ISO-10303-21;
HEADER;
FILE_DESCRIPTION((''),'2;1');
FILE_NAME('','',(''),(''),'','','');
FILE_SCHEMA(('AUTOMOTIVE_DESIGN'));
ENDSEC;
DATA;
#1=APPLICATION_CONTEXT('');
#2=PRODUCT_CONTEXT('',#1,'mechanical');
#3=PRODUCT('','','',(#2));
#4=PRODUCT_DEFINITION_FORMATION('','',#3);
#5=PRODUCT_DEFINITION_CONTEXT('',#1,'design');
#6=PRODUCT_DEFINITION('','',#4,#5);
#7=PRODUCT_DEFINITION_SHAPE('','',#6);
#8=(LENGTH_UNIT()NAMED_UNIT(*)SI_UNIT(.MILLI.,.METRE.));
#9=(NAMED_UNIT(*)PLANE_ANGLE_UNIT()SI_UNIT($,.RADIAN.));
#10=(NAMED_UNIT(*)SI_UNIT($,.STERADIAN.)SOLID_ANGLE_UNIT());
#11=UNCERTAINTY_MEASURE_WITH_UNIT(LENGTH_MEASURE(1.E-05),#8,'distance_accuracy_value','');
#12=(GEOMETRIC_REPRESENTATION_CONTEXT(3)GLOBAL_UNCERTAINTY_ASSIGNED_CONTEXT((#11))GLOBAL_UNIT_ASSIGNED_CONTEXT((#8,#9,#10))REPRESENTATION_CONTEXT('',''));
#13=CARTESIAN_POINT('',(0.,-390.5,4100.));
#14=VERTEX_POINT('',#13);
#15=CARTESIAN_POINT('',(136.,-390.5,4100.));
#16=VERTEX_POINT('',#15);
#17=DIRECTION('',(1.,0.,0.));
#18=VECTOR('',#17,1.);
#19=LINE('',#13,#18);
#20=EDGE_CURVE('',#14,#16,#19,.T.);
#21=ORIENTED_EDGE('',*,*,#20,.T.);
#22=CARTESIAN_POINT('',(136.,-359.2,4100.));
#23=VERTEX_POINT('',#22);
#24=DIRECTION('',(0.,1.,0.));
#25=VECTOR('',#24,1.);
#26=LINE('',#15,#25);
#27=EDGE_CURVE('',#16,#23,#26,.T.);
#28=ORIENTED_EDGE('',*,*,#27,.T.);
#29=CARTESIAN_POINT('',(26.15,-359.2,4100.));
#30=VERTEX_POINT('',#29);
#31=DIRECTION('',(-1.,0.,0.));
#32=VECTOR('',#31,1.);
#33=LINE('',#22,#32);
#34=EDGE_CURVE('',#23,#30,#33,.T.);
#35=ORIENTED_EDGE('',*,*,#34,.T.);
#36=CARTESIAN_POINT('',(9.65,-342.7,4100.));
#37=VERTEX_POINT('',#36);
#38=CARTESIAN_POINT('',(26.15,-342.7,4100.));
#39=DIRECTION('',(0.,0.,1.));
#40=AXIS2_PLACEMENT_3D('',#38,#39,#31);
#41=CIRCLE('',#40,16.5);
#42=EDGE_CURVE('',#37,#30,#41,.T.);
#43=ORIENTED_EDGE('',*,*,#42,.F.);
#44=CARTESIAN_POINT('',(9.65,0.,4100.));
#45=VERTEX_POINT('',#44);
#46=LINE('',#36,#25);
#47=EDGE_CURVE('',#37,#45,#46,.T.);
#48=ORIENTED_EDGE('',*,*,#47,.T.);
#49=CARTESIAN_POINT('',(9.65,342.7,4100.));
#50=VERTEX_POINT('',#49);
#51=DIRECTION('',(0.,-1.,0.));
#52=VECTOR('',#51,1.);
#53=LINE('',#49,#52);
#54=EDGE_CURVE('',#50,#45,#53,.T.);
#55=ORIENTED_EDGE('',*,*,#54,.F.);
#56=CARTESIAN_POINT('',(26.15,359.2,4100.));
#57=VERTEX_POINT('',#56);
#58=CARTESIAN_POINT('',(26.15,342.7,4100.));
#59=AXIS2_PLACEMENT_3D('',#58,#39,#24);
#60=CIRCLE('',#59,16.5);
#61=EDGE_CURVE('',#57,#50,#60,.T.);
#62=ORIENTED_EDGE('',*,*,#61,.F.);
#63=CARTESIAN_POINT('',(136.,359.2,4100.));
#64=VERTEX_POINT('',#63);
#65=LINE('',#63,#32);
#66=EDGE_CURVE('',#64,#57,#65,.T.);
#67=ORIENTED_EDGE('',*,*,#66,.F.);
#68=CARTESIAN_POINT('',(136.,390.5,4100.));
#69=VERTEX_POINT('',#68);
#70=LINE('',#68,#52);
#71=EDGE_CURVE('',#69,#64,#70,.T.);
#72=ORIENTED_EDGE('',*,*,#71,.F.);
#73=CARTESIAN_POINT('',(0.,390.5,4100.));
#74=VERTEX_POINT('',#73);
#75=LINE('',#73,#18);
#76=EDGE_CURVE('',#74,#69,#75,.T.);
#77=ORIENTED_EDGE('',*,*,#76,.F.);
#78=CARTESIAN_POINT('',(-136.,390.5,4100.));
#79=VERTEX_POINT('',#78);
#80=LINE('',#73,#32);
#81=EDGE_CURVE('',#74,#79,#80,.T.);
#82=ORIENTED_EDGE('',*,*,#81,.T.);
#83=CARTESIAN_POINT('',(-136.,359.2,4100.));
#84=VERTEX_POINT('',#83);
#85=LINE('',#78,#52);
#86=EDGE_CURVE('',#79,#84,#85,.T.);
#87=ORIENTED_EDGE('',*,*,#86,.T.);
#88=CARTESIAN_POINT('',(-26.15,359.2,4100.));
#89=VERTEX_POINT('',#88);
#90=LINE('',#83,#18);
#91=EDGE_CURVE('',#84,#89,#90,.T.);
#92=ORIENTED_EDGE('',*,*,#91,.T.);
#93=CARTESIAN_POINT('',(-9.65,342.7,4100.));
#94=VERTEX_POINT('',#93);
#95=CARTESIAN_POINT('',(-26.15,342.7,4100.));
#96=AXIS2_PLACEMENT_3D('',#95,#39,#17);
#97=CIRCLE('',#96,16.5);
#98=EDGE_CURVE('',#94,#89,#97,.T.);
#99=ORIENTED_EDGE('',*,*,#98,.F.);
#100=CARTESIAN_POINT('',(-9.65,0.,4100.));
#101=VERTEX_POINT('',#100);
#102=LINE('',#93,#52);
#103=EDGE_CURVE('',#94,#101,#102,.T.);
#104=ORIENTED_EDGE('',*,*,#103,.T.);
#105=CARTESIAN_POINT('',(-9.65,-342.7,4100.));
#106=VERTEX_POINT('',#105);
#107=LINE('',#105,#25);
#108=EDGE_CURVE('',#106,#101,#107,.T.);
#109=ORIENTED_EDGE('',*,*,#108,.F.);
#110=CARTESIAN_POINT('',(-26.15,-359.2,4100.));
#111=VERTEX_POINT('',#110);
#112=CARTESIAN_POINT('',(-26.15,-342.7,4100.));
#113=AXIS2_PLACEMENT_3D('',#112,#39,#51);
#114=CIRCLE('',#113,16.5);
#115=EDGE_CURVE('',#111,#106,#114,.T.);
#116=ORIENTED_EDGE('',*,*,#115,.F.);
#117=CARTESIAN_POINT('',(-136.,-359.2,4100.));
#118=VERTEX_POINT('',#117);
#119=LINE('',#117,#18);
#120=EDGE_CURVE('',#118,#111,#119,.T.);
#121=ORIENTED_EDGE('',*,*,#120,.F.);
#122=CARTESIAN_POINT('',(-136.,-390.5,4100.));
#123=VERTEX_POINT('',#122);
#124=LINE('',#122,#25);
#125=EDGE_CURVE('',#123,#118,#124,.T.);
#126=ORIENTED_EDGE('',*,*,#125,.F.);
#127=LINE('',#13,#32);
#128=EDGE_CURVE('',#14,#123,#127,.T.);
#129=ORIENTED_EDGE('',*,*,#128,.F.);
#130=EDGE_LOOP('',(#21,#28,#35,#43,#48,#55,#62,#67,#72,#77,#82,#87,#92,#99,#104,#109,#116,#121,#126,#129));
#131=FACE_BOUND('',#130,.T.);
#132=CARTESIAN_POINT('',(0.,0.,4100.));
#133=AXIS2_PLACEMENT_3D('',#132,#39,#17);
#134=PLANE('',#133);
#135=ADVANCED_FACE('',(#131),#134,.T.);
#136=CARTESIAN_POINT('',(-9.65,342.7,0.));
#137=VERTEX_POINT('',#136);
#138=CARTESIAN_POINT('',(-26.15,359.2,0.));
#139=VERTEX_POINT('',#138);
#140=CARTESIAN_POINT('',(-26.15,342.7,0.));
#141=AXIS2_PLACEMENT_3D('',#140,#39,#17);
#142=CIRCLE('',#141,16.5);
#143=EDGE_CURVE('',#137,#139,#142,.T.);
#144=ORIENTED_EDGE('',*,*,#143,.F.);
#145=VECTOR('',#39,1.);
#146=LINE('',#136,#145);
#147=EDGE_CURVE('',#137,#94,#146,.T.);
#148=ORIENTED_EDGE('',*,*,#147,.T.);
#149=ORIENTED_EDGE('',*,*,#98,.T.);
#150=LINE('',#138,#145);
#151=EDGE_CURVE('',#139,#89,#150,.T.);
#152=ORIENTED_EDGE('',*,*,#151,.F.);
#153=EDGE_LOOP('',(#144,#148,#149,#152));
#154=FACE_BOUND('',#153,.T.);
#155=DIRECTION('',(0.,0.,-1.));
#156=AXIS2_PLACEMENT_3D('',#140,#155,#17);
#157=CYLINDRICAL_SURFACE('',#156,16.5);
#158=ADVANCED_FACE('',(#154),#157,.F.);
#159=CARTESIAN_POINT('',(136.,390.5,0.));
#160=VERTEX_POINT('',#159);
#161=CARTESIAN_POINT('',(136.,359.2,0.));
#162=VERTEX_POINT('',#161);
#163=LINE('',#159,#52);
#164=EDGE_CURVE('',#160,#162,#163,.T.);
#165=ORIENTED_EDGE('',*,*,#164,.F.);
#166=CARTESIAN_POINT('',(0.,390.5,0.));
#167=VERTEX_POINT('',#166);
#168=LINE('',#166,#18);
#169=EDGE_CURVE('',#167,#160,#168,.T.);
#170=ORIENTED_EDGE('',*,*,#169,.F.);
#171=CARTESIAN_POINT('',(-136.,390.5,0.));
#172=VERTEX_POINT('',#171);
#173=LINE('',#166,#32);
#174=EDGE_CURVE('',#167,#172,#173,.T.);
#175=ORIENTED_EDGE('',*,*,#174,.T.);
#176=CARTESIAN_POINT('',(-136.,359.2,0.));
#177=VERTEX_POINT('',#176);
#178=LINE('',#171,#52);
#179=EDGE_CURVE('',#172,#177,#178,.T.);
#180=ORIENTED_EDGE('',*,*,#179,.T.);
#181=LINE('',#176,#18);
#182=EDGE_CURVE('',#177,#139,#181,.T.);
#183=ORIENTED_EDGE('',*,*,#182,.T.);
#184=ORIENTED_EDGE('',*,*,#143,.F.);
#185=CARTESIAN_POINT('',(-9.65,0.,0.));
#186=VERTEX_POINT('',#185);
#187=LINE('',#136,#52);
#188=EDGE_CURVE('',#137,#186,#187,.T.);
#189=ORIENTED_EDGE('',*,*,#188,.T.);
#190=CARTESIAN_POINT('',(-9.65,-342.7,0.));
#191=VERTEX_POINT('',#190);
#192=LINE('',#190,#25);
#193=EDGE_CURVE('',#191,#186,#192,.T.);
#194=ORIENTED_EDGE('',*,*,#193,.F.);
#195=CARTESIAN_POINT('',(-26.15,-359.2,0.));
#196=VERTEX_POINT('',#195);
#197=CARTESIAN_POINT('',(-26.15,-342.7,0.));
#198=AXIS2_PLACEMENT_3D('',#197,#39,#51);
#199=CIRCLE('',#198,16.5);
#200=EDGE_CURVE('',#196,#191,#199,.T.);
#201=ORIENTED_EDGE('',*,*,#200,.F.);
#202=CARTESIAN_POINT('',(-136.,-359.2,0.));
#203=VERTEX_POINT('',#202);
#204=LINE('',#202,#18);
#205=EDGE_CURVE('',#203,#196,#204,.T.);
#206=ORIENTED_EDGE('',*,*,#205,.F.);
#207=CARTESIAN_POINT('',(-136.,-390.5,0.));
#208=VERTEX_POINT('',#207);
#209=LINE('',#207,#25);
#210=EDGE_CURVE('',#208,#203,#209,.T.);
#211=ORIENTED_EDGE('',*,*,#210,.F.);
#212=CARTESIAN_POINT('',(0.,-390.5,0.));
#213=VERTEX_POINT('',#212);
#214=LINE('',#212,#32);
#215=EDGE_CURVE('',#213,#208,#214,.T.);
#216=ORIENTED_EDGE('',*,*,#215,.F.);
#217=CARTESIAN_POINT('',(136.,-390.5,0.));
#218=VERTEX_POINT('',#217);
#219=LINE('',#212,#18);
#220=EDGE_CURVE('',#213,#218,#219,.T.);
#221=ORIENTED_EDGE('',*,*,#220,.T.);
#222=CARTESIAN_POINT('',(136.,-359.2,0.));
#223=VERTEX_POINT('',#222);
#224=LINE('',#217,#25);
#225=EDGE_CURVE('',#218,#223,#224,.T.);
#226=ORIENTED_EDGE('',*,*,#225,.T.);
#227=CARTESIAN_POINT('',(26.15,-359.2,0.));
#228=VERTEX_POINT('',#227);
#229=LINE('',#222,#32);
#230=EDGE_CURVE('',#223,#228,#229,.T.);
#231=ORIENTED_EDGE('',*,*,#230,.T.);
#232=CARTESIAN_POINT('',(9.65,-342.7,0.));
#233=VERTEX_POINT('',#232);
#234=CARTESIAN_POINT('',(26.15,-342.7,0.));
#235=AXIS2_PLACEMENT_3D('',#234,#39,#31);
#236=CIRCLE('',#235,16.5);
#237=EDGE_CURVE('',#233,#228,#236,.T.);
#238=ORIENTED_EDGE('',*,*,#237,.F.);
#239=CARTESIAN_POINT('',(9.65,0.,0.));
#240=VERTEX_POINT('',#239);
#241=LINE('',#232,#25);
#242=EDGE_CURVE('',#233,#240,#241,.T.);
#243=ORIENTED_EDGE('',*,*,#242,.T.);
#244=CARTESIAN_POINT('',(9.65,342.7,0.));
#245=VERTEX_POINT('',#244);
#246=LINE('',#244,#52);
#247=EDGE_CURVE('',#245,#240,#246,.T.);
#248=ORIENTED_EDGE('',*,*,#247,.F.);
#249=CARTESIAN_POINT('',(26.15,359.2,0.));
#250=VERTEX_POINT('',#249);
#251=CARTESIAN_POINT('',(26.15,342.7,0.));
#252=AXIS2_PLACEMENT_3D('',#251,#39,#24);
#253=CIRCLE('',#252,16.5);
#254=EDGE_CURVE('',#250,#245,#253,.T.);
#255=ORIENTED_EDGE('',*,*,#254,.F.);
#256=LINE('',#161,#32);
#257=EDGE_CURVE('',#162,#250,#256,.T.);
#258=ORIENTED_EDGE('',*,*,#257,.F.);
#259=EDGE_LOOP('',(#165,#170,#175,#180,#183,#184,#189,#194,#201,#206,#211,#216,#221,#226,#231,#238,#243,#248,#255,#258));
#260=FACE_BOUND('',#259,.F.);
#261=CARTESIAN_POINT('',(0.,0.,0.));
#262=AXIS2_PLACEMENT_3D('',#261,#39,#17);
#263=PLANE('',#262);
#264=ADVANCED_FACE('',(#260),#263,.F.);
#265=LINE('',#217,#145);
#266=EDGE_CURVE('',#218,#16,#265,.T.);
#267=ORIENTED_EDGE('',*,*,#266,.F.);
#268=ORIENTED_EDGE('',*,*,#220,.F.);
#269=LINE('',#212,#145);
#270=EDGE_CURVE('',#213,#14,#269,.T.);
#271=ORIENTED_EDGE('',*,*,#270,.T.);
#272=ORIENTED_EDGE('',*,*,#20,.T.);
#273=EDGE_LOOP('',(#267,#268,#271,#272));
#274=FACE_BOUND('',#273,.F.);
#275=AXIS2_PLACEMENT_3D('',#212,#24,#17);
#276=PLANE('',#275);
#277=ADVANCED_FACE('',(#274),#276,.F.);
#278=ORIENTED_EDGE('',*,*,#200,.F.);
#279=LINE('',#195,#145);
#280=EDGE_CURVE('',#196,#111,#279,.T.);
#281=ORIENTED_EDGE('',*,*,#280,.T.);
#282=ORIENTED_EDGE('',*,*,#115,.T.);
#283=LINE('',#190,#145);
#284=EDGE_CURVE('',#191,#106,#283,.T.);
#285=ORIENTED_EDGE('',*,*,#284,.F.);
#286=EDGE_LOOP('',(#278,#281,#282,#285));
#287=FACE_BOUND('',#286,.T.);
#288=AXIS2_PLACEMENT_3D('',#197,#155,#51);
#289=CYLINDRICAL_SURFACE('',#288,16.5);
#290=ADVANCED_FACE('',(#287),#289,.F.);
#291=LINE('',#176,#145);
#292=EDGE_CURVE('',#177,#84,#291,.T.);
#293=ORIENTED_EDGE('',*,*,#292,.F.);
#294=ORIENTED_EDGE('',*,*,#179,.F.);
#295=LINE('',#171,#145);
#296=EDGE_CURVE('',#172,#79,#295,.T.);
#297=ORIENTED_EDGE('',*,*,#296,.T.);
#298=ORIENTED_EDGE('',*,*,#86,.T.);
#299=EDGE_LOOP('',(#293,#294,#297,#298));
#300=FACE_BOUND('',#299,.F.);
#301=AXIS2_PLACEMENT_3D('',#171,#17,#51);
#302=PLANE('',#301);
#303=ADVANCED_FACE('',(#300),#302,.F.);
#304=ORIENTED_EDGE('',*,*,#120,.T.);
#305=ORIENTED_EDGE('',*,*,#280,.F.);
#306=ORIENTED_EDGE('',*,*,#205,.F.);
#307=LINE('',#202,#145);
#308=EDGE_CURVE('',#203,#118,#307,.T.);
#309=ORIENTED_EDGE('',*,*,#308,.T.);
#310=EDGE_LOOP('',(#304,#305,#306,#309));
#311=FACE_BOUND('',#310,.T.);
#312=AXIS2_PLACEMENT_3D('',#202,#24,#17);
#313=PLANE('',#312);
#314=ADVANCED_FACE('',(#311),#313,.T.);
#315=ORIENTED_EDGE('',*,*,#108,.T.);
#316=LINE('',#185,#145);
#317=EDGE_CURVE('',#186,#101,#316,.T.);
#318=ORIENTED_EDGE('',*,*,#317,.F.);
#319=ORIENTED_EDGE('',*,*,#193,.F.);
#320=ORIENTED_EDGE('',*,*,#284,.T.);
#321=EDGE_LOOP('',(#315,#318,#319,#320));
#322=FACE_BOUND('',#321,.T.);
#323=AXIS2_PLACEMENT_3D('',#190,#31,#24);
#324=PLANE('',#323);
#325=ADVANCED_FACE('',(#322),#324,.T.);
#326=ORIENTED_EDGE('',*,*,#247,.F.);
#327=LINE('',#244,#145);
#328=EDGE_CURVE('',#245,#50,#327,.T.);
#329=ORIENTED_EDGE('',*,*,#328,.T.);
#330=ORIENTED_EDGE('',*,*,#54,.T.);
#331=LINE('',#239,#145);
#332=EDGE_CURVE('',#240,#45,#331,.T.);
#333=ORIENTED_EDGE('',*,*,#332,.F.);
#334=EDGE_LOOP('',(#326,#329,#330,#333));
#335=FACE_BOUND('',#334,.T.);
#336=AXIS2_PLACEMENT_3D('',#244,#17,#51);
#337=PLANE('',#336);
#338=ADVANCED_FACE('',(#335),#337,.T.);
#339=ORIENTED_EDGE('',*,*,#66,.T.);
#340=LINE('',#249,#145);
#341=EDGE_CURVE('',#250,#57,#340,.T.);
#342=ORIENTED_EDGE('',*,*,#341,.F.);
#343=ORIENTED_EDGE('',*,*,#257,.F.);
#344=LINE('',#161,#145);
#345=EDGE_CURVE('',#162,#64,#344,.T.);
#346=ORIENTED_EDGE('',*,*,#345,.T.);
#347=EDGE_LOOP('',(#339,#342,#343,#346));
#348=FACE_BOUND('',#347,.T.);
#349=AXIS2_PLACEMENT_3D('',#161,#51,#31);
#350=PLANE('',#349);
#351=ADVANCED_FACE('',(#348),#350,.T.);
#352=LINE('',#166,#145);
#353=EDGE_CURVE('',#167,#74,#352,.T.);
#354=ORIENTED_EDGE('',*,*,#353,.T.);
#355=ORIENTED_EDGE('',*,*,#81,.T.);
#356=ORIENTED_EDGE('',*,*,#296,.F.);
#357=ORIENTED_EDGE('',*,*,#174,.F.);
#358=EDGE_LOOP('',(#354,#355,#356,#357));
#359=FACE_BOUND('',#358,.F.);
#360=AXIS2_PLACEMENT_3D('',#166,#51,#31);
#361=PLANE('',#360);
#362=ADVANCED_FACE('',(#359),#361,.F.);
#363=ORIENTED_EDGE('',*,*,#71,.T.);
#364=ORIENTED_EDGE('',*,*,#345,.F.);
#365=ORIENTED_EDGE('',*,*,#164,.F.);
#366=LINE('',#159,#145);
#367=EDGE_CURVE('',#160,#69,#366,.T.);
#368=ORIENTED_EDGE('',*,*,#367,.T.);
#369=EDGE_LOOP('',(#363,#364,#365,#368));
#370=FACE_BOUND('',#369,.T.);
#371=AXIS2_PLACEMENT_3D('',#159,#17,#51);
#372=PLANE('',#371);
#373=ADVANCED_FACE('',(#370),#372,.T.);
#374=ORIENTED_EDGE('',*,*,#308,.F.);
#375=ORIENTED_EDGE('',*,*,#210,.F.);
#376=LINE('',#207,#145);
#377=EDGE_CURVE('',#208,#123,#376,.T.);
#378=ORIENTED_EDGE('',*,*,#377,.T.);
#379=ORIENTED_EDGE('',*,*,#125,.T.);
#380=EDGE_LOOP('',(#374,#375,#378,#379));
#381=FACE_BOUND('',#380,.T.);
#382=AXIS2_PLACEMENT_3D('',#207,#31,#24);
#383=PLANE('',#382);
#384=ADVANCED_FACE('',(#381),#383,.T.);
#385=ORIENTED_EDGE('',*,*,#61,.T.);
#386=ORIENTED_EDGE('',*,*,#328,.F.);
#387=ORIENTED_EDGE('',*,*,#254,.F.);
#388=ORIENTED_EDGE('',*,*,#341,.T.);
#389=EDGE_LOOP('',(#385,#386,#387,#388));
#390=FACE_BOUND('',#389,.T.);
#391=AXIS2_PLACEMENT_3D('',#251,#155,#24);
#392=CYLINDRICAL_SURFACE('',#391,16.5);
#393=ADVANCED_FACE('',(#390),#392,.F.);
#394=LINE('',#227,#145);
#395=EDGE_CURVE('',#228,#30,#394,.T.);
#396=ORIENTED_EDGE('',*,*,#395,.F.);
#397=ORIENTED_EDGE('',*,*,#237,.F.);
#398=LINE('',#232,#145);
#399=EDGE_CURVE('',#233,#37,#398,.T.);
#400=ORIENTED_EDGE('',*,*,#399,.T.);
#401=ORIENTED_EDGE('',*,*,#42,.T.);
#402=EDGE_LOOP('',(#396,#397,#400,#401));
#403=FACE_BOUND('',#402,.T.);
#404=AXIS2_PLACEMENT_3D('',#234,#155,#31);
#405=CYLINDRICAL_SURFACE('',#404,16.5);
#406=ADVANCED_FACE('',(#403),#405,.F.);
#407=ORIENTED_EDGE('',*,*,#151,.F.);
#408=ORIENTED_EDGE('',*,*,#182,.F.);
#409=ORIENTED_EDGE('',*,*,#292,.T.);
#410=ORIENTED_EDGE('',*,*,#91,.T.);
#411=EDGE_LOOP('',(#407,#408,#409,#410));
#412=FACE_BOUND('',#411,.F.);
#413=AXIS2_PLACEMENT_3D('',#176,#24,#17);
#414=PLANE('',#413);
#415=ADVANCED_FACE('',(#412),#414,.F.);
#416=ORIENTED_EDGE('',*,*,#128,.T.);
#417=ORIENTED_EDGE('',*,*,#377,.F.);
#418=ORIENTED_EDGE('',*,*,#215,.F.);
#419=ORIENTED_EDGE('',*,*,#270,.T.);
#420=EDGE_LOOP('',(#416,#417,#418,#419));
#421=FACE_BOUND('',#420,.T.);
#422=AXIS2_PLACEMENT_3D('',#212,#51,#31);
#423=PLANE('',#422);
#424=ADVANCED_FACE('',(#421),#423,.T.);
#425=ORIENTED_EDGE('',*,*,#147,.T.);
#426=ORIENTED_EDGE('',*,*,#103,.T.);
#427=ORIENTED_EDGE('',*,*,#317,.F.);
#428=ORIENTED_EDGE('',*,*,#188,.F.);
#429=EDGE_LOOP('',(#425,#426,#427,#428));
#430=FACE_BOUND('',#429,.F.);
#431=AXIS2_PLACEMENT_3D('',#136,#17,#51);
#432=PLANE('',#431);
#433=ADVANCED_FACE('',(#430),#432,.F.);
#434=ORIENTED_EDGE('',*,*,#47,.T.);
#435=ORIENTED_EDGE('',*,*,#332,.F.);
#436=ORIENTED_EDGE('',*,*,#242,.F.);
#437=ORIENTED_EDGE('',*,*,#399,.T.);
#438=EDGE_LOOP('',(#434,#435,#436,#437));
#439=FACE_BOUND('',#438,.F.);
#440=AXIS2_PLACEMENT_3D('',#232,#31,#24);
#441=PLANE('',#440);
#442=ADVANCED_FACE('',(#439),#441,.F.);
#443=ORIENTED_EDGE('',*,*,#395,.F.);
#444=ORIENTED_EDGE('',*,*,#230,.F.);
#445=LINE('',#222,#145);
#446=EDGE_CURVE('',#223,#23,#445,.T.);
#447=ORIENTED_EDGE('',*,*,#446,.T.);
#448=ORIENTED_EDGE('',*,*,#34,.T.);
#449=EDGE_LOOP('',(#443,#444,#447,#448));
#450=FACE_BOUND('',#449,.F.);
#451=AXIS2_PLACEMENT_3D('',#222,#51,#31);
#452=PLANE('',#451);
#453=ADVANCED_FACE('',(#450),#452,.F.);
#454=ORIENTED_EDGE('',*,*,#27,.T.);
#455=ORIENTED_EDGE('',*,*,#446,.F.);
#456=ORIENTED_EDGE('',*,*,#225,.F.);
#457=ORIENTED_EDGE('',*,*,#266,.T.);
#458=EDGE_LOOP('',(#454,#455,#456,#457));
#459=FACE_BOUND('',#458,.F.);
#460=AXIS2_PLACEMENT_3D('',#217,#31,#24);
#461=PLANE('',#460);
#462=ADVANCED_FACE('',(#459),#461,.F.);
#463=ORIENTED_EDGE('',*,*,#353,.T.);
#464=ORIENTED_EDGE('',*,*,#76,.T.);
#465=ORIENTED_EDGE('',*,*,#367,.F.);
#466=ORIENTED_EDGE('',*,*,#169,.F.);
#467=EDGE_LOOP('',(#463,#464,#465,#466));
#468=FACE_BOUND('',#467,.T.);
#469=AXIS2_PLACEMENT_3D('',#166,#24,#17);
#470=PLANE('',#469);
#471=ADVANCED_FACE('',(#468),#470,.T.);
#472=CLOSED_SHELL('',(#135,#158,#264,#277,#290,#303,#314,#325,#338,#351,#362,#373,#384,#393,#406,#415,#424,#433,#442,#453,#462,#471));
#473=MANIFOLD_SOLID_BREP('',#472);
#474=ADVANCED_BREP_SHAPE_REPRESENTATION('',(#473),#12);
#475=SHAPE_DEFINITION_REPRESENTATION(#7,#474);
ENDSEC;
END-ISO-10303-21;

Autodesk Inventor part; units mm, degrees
ref_plane "YZ Plane" through (0, 0, 0) normal (1, 0, 0) x (0, 1, 0)
ref_plane "Start plane" through (0, 0, 0) normal (0, 0, 1) x (1, 0, 0)
ref_plane "End plane" through (0, 0, 4100) normal (0, 0, 1) x (1, 0, 0)
sketch "Sketch" plane through (0, 0, 0) normal (0, 0, 1) x (1, 0, 0)
  line L0 (-136, -390.5) -> (-136, -359.2)
  line L1 (-136, -359.2) -> (-26.15, -359.2)
  line L2 (-9.65, -342.7) -> (-9.65, 0)
  line L3 (-9.65, 0) -> (0, 0) construction
  line L4 (0, 0) -> (0, -390.5) construction
  line L5 (0, -390.5) -> (-136, -390.5)
  line L6 (-60, 0) -> (80, 0) construction
  line L7 (0, -60) -> (0, 80) construction
  line L8 (136, -390.5) -> (136, -359.2)
  line L9 (136, -359.2) -> (26.15, -359.2)
  line L10 (9.65, -342.7) -> (9.65, 0)
  line L11 (9.65, 0) -> (0, 0) construction
  line L12 (0, -390.5) -> (136, -390.5)
  line L13 (-136, 390.5) -> (-136, 359.2)
  line L14 (-136, 359.2) -> (-26.15, 359.2)
  line L15 (-9.65, 342.7) -> (-9.65, 0)
  line L16 (0, 390.5) -> (-136, 390.5)
  line L17 (136, 390.5) -> (136, 359.2)
  line L18 (136, 359.2) -> (26.15, 359.2)
  line L19 (0, 390.5) -> (136, 390.5)
  line L20 (9.65, 342.7) -> (9.65, 0)
  arc A0 (-9.65, 342.7) -> (-26.15, 359.2) centre (-26.15, 342.7) ccw
  arc A1 (26.15, 359.2) -> (9.65, 342.7) centre (26.15, 342.7) ccw
  arc A2 (9.65, -342.7) -> (26.15, -359.2) centre (26.15, -342.7) ccw
  arc A3 (-26.15, -359.2) -> (-9.65, -342.7) centre (-26.15, -342.7) ccw
  line L21 (0, 108) -> (0, -88) construction
  line L22 (-88, 0) -> (108, 0) construction
  point P0 (-9.65, -359.2)
  point P1 (9.65, -359.2)
  point P2 (-9.65, 359.2)
  point P3 (9.65, 359.2)
  dimension "d1" = 390.5
  dimension "d2" = 31.3
  dimension "d3" = 136
  dimension "d4" = 9.65
  dimension "d10" = 16.5
extrude "Body" add sketch "Sketch" along normal up to surface (4100 mm away) from surface at 0
sketch "Sketch4" plane through (0, 0, 0) normal (0, 0, 1) x (1, 0, 0)
  line L0 (0, 0) -> (10, 0)
ref_plane "Work Plane3" through (0, 0, 0) normal (0, -1, 0) x (1, 0, 0)
sketch "Sketch5" plane through (0, 0, 0) normal (0, -1, 0) x (1, 0, 0)
  line L0 (-2, 0) -> (12, 0) projected
  line L1 (-2, 4100) -> (12, 4100) projected
  dimension "d14" = 4100
equation "\"d1\" = 0.5 * G_H"
equation "\"d2\" = G_T1"
equation "\"d3\" = 0.5 * G_W"
equation "\"d4\" = 0.5 * G_T"
equation "\"d10\" = G_IR"
equation "\"d5\" = G_L"
equation "\"G_W\" = 272"
equation "\"G_H\" = 781"
equation "\"G_T\" = 19.3"
equation "\"G_T1\" = 31.3"
equation "\"G_IR\" = 16.5"
equation "\"G_L\" = d14"
equation "\"G_OFFSET_START\" = 0"
equation "\"G_OFFSET_END\" = 0"
properties part number "AS 3679-1990 - 760 UB - 244 - 4100" material "Steel, Mild"
